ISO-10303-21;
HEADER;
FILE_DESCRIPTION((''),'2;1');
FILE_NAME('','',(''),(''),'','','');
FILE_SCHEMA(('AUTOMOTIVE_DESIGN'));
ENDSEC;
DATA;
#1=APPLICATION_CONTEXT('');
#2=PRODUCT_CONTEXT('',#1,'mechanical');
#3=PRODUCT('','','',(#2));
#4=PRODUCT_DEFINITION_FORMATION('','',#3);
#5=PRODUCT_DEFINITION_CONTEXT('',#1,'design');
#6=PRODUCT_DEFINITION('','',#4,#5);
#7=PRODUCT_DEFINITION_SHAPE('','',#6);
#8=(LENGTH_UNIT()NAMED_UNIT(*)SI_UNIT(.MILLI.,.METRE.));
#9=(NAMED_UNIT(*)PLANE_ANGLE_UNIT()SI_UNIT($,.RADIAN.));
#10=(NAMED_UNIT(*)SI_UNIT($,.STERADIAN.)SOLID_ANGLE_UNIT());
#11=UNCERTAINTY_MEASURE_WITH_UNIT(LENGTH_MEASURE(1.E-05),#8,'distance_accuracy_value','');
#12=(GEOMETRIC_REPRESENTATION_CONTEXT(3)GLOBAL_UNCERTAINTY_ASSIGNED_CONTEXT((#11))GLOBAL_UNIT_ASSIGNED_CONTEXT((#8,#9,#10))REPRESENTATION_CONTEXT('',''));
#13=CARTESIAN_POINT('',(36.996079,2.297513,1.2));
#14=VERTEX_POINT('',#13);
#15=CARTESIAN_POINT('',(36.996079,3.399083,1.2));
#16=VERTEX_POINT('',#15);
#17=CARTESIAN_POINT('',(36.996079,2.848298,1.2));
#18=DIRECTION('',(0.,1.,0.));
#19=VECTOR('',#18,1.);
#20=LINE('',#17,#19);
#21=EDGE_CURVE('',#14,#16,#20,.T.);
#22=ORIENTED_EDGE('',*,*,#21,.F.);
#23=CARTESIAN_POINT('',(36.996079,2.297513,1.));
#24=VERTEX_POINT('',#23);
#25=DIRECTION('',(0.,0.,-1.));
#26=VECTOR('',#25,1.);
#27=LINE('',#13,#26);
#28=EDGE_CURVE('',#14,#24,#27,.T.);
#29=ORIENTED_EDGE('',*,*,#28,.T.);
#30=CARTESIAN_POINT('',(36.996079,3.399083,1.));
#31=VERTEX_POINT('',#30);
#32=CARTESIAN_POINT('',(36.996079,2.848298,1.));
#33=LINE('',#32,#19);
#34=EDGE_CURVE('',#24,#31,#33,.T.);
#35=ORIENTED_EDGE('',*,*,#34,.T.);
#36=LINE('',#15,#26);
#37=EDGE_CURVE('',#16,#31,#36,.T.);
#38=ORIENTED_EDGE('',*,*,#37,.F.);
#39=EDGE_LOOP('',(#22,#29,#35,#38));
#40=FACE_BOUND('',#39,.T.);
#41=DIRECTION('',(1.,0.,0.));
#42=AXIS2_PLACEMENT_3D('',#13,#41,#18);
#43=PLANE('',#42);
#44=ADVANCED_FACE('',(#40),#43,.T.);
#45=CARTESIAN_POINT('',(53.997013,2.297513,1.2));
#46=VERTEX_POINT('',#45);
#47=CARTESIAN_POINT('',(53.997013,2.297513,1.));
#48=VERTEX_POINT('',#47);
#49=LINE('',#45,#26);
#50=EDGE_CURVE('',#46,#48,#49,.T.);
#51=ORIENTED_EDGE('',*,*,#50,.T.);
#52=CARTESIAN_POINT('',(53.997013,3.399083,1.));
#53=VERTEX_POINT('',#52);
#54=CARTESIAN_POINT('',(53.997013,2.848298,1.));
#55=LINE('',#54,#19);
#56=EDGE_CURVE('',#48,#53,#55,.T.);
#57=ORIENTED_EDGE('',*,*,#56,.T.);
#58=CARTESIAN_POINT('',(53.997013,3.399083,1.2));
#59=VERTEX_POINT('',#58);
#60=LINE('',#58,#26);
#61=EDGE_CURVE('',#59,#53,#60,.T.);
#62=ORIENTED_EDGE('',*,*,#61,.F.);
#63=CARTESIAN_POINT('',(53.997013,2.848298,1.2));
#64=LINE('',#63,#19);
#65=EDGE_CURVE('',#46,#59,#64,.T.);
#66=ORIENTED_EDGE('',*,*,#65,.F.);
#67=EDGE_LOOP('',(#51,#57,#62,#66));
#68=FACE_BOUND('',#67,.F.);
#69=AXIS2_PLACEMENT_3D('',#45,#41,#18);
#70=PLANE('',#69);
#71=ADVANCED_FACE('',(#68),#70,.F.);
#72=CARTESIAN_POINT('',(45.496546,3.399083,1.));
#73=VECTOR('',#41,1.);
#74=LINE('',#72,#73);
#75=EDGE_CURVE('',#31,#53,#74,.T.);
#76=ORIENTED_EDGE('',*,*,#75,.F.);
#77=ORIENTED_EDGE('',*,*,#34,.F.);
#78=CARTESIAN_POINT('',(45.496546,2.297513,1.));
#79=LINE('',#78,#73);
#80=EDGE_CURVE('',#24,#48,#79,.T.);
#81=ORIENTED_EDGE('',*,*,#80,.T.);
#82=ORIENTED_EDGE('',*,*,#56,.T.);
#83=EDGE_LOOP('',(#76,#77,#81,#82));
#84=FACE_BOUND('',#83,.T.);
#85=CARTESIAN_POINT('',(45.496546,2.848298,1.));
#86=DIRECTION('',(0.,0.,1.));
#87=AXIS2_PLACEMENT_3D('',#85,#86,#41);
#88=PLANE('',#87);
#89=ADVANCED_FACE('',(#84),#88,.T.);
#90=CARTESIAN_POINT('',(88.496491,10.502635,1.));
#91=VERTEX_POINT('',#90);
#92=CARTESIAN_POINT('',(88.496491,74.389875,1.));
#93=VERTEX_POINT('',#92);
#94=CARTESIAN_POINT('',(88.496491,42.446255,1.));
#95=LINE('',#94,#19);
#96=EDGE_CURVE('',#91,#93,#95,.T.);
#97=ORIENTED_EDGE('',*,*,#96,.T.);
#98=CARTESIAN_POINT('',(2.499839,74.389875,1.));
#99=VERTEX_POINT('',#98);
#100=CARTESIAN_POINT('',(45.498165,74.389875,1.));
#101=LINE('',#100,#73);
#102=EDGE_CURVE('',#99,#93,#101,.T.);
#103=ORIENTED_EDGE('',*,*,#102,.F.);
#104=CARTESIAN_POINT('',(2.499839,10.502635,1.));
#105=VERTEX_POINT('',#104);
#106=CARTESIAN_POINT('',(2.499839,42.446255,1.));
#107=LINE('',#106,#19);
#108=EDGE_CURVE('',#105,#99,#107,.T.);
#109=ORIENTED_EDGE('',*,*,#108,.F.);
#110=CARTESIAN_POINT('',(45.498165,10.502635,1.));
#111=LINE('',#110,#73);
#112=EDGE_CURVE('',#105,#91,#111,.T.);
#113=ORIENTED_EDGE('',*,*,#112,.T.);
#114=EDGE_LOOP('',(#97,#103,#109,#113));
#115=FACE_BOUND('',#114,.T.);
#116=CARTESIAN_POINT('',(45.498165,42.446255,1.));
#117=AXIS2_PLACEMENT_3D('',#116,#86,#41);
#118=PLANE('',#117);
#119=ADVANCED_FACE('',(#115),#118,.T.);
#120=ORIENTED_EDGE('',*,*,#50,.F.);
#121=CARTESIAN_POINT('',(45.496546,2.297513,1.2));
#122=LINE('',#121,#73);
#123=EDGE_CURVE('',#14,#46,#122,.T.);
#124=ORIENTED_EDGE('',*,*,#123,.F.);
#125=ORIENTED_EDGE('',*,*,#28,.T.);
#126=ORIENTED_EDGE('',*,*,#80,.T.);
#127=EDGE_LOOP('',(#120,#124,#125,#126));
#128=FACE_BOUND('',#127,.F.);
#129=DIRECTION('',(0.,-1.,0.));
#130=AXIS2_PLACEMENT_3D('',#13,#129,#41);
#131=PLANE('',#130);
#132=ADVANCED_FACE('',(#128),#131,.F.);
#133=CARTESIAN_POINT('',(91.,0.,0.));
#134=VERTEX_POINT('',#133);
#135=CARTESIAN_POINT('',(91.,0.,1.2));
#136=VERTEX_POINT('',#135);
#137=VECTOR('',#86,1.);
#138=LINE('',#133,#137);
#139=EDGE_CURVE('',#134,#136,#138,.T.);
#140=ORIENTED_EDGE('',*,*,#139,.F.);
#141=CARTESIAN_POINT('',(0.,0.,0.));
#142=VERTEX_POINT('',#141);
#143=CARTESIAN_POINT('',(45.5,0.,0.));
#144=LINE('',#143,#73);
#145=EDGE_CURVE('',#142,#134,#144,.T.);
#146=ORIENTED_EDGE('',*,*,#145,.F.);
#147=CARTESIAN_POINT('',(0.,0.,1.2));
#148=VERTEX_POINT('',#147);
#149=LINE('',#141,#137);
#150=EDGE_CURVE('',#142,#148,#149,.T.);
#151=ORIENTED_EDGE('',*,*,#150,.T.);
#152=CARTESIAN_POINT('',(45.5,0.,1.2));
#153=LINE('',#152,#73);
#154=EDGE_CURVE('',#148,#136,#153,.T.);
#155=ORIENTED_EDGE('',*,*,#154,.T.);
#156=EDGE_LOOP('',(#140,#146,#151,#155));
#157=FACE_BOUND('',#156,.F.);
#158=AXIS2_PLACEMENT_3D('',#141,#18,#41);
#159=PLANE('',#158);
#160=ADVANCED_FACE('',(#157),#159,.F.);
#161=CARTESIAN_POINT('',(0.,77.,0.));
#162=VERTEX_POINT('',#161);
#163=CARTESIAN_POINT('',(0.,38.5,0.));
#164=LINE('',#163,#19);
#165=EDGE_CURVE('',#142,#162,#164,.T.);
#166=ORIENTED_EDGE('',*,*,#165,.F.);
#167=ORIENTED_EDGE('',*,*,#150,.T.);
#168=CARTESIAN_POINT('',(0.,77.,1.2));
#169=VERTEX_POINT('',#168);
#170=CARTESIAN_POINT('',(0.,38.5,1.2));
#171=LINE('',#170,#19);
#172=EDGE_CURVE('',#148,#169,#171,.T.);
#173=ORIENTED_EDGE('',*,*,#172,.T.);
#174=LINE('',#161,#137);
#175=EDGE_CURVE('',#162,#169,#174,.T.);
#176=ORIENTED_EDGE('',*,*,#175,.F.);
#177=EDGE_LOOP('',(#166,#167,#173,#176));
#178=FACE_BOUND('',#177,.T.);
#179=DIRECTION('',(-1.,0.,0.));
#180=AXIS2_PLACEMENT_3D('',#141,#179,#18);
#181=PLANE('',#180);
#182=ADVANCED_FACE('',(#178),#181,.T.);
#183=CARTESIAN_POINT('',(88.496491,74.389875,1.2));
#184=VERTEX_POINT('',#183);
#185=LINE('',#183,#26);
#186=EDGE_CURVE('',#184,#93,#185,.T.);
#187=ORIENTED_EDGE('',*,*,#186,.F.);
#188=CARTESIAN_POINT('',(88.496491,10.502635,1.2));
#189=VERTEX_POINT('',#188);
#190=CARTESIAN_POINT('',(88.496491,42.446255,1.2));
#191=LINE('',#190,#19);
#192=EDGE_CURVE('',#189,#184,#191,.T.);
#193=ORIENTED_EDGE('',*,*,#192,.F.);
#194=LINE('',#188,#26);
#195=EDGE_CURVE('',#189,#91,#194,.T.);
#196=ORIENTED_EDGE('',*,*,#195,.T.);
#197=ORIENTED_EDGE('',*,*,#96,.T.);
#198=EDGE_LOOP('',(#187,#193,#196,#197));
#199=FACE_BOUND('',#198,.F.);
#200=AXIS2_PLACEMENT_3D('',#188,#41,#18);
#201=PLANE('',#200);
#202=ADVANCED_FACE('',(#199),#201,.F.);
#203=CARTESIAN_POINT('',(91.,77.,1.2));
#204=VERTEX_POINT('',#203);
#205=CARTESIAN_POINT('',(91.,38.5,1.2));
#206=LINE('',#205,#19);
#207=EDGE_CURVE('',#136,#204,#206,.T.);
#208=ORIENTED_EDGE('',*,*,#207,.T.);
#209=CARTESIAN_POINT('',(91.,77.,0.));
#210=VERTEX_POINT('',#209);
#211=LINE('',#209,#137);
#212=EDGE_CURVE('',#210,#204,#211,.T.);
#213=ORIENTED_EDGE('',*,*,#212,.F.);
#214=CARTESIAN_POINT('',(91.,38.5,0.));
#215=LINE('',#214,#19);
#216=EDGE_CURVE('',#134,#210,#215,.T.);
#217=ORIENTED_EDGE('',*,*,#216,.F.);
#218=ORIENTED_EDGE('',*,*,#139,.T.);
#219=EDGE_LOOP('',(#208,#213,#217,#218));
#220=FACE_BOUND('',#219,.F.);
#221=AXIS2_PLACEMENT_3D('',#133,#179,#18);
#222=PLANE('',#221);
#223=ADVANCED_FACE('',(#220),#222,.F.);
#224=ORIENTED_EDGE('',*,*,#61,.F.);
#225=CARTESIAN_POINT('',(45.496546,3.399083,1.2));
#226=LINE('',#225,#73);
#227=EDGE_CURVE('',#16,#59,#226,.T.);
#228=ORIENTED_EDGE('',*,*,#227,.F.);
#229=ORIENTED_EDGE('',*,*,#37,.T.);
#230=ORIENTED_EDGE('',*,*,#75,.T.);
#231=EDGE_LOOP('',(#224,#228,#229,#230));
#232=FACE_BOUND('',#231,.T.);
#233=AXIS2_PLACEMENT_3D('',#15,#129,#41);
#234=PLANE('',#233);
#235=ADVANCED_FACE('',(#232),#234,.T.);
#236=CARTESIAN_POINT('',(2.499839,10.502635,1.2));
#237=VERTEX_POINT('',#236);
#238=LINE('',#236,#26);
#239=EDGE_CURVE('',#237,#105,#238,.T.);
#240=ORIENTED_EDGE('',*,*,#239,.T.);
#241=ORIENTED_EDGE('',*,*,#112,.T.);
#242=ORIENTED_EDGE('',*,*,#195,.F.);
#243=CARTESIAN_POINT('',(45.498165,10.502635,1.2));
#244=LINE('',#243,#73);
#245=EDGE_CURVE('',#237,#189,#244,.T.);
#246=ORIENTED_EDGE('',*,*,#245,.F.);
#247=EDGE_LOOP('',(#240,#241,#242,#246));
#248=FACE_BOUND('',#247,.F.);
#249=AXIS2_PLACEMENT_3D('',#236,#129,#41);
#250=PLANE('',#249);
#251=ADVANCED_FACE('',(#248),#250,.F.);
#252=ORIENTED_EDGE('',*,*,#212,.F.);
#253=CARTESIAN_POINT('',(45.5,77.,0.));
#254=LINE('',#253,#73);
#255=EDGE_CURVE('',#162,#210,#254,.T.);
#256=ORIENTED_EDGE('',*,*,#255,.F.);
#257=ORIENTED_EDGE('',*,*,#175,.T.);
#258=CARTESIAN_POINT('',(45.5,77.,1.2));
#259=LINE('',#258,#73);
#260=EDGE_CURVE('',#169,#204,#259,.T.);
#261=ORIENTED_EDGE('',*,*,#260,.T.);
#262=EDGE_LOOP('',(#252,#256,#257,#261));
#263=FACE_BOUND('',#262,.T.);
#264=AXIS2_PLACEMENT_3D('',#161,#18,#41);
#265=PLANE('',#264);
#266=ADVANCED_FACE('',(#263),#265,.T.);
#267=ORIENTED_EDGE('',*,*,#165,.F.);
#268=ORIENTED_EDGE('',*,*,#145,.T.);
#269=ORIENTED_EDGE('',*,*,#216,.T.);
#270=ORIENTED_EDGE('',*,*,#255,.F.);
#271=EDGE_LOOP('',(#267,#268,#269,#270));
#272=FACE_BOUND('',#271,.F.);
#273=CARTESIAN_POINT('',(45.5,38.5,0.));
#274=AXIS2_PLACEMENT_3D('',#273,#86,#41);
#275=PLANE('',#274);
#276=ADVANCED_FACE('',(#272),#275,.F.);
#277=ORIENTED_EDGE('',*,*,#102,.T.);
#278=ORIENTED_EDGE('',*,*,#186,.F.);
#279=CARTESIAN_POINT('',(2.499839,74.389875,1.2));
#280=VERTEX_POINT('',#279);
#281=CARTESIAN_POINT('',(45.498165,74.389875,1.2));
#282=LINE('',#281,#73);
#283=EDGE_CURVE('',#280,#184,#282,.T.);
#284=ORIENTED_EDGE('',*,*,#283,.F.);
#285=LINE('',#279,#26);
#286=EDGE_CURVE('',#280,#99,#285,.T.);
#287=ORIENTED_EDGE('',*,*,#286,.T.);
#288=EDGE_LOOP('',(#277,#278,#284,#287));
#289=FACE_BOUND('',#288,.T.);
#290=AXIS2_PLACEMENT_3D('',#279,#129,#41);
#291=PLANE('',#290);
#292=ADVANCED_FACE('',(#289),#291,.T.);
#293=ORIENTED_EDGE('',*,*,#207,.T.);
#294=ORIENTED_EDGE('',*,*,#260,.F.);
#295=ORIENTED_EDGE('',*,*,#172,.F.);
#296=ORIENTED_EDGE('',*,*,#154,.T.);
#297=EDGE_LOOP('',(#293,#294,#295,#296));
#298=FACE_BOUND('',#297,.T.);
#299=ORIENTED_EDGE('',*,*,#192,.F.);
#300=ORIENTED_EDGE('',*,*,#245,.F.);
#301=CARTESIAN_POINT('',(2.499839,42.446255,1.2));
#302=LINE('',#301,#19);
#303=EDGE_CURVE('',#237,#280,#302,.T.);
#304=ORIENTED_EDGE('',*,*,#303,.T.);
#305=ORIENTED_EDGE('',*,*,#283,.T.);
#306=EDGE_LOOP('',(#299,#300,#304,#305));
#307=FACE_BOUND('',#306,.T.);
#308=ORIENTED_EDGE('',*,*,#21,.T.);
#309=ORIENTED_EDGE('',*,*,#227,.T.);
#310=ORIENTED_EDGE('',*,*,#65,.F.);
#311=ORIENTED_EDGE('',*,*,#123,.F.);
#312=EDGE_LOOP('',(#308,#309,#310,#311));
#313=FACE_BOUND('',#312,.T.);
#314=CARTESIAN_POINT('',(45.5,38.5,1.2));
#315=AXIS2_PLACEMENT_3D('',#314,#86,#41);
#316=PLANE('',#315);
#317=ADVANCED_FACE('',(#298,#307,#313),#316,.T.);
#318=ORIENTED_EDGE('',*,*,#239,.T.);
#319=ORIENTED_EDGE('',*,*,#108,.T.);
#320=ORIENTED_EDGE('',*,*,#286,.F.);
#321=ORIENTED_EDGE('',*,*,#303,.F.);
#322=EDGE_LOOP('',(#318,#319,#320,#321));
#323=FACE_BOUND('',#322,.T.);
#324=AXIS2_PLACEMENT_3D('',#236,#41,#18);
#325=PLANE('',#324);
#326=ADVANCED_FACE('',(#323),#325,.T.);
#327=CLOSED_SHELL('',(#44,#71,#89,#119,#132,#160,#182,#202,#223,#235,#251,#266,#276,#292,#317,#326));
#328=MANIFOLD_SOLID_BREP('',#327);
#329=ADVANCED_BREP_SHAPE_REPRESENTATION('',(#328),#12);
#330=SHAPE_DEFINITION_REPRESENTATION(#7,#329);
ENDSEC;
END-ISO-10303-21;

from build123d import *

# Parameters (mm, degrees)
ESQUISSE1_W             = 91
ESQUISSE1_H             = 77
BOSS_EXTRU_1_DEPTH      = 1.2
ESQUISSE2_W             = 85.996652656
ESQUISSE2_H             = 63.887239855
ENL_V_MAT_EXTRU_1_DEPTH = 0.2
ESQUISSE3_W             = 17.000934191
ESQUISSE3_H             = 1.101570178
ENL_V_MAT_EXTRU_2_DEPTH = 0.2


with BuildPart() as part:
    # Esquisse1 → Boss.-Extru.1 (new body)
    with BuildSketch(Plane.XY):
        with Locations((45.5, 38.5)):
            Rectangle(ESQUISSE1_W, ESQUISSE1_H)
    extrude(amount=BOSS_EXTRU_1_DEPTH)

    # Esquisse2 → Enlèv. mat.-Extru.1 (cut)
    with BuildSketch(Plane.XY.offset(1.2)):
        with Locations((45.498164964, 42.446254928)):
            Rectangle(ESQUISSE2_W, ESQUISSE2_H)
    extrude(amount=-ENL_V_MAT_EXTRU_1_DEPTH, mode=Mode.SUBTRACT)

    # Esquisse3 → Enlèv. mat.-Extru.2 (cut)
    with BuildSketch(Plane.XY.offset(1.2)):
        with Locations((45.496546397, 2.848297653)):
            Rectangle(ESQUISSE3_W, ESQUISSE3_H)
    extrude(amount=-ENL_V_MAT_EXTRU_2_DEPTH, mode=Mode.SUBTRACT)


solid = part.part
